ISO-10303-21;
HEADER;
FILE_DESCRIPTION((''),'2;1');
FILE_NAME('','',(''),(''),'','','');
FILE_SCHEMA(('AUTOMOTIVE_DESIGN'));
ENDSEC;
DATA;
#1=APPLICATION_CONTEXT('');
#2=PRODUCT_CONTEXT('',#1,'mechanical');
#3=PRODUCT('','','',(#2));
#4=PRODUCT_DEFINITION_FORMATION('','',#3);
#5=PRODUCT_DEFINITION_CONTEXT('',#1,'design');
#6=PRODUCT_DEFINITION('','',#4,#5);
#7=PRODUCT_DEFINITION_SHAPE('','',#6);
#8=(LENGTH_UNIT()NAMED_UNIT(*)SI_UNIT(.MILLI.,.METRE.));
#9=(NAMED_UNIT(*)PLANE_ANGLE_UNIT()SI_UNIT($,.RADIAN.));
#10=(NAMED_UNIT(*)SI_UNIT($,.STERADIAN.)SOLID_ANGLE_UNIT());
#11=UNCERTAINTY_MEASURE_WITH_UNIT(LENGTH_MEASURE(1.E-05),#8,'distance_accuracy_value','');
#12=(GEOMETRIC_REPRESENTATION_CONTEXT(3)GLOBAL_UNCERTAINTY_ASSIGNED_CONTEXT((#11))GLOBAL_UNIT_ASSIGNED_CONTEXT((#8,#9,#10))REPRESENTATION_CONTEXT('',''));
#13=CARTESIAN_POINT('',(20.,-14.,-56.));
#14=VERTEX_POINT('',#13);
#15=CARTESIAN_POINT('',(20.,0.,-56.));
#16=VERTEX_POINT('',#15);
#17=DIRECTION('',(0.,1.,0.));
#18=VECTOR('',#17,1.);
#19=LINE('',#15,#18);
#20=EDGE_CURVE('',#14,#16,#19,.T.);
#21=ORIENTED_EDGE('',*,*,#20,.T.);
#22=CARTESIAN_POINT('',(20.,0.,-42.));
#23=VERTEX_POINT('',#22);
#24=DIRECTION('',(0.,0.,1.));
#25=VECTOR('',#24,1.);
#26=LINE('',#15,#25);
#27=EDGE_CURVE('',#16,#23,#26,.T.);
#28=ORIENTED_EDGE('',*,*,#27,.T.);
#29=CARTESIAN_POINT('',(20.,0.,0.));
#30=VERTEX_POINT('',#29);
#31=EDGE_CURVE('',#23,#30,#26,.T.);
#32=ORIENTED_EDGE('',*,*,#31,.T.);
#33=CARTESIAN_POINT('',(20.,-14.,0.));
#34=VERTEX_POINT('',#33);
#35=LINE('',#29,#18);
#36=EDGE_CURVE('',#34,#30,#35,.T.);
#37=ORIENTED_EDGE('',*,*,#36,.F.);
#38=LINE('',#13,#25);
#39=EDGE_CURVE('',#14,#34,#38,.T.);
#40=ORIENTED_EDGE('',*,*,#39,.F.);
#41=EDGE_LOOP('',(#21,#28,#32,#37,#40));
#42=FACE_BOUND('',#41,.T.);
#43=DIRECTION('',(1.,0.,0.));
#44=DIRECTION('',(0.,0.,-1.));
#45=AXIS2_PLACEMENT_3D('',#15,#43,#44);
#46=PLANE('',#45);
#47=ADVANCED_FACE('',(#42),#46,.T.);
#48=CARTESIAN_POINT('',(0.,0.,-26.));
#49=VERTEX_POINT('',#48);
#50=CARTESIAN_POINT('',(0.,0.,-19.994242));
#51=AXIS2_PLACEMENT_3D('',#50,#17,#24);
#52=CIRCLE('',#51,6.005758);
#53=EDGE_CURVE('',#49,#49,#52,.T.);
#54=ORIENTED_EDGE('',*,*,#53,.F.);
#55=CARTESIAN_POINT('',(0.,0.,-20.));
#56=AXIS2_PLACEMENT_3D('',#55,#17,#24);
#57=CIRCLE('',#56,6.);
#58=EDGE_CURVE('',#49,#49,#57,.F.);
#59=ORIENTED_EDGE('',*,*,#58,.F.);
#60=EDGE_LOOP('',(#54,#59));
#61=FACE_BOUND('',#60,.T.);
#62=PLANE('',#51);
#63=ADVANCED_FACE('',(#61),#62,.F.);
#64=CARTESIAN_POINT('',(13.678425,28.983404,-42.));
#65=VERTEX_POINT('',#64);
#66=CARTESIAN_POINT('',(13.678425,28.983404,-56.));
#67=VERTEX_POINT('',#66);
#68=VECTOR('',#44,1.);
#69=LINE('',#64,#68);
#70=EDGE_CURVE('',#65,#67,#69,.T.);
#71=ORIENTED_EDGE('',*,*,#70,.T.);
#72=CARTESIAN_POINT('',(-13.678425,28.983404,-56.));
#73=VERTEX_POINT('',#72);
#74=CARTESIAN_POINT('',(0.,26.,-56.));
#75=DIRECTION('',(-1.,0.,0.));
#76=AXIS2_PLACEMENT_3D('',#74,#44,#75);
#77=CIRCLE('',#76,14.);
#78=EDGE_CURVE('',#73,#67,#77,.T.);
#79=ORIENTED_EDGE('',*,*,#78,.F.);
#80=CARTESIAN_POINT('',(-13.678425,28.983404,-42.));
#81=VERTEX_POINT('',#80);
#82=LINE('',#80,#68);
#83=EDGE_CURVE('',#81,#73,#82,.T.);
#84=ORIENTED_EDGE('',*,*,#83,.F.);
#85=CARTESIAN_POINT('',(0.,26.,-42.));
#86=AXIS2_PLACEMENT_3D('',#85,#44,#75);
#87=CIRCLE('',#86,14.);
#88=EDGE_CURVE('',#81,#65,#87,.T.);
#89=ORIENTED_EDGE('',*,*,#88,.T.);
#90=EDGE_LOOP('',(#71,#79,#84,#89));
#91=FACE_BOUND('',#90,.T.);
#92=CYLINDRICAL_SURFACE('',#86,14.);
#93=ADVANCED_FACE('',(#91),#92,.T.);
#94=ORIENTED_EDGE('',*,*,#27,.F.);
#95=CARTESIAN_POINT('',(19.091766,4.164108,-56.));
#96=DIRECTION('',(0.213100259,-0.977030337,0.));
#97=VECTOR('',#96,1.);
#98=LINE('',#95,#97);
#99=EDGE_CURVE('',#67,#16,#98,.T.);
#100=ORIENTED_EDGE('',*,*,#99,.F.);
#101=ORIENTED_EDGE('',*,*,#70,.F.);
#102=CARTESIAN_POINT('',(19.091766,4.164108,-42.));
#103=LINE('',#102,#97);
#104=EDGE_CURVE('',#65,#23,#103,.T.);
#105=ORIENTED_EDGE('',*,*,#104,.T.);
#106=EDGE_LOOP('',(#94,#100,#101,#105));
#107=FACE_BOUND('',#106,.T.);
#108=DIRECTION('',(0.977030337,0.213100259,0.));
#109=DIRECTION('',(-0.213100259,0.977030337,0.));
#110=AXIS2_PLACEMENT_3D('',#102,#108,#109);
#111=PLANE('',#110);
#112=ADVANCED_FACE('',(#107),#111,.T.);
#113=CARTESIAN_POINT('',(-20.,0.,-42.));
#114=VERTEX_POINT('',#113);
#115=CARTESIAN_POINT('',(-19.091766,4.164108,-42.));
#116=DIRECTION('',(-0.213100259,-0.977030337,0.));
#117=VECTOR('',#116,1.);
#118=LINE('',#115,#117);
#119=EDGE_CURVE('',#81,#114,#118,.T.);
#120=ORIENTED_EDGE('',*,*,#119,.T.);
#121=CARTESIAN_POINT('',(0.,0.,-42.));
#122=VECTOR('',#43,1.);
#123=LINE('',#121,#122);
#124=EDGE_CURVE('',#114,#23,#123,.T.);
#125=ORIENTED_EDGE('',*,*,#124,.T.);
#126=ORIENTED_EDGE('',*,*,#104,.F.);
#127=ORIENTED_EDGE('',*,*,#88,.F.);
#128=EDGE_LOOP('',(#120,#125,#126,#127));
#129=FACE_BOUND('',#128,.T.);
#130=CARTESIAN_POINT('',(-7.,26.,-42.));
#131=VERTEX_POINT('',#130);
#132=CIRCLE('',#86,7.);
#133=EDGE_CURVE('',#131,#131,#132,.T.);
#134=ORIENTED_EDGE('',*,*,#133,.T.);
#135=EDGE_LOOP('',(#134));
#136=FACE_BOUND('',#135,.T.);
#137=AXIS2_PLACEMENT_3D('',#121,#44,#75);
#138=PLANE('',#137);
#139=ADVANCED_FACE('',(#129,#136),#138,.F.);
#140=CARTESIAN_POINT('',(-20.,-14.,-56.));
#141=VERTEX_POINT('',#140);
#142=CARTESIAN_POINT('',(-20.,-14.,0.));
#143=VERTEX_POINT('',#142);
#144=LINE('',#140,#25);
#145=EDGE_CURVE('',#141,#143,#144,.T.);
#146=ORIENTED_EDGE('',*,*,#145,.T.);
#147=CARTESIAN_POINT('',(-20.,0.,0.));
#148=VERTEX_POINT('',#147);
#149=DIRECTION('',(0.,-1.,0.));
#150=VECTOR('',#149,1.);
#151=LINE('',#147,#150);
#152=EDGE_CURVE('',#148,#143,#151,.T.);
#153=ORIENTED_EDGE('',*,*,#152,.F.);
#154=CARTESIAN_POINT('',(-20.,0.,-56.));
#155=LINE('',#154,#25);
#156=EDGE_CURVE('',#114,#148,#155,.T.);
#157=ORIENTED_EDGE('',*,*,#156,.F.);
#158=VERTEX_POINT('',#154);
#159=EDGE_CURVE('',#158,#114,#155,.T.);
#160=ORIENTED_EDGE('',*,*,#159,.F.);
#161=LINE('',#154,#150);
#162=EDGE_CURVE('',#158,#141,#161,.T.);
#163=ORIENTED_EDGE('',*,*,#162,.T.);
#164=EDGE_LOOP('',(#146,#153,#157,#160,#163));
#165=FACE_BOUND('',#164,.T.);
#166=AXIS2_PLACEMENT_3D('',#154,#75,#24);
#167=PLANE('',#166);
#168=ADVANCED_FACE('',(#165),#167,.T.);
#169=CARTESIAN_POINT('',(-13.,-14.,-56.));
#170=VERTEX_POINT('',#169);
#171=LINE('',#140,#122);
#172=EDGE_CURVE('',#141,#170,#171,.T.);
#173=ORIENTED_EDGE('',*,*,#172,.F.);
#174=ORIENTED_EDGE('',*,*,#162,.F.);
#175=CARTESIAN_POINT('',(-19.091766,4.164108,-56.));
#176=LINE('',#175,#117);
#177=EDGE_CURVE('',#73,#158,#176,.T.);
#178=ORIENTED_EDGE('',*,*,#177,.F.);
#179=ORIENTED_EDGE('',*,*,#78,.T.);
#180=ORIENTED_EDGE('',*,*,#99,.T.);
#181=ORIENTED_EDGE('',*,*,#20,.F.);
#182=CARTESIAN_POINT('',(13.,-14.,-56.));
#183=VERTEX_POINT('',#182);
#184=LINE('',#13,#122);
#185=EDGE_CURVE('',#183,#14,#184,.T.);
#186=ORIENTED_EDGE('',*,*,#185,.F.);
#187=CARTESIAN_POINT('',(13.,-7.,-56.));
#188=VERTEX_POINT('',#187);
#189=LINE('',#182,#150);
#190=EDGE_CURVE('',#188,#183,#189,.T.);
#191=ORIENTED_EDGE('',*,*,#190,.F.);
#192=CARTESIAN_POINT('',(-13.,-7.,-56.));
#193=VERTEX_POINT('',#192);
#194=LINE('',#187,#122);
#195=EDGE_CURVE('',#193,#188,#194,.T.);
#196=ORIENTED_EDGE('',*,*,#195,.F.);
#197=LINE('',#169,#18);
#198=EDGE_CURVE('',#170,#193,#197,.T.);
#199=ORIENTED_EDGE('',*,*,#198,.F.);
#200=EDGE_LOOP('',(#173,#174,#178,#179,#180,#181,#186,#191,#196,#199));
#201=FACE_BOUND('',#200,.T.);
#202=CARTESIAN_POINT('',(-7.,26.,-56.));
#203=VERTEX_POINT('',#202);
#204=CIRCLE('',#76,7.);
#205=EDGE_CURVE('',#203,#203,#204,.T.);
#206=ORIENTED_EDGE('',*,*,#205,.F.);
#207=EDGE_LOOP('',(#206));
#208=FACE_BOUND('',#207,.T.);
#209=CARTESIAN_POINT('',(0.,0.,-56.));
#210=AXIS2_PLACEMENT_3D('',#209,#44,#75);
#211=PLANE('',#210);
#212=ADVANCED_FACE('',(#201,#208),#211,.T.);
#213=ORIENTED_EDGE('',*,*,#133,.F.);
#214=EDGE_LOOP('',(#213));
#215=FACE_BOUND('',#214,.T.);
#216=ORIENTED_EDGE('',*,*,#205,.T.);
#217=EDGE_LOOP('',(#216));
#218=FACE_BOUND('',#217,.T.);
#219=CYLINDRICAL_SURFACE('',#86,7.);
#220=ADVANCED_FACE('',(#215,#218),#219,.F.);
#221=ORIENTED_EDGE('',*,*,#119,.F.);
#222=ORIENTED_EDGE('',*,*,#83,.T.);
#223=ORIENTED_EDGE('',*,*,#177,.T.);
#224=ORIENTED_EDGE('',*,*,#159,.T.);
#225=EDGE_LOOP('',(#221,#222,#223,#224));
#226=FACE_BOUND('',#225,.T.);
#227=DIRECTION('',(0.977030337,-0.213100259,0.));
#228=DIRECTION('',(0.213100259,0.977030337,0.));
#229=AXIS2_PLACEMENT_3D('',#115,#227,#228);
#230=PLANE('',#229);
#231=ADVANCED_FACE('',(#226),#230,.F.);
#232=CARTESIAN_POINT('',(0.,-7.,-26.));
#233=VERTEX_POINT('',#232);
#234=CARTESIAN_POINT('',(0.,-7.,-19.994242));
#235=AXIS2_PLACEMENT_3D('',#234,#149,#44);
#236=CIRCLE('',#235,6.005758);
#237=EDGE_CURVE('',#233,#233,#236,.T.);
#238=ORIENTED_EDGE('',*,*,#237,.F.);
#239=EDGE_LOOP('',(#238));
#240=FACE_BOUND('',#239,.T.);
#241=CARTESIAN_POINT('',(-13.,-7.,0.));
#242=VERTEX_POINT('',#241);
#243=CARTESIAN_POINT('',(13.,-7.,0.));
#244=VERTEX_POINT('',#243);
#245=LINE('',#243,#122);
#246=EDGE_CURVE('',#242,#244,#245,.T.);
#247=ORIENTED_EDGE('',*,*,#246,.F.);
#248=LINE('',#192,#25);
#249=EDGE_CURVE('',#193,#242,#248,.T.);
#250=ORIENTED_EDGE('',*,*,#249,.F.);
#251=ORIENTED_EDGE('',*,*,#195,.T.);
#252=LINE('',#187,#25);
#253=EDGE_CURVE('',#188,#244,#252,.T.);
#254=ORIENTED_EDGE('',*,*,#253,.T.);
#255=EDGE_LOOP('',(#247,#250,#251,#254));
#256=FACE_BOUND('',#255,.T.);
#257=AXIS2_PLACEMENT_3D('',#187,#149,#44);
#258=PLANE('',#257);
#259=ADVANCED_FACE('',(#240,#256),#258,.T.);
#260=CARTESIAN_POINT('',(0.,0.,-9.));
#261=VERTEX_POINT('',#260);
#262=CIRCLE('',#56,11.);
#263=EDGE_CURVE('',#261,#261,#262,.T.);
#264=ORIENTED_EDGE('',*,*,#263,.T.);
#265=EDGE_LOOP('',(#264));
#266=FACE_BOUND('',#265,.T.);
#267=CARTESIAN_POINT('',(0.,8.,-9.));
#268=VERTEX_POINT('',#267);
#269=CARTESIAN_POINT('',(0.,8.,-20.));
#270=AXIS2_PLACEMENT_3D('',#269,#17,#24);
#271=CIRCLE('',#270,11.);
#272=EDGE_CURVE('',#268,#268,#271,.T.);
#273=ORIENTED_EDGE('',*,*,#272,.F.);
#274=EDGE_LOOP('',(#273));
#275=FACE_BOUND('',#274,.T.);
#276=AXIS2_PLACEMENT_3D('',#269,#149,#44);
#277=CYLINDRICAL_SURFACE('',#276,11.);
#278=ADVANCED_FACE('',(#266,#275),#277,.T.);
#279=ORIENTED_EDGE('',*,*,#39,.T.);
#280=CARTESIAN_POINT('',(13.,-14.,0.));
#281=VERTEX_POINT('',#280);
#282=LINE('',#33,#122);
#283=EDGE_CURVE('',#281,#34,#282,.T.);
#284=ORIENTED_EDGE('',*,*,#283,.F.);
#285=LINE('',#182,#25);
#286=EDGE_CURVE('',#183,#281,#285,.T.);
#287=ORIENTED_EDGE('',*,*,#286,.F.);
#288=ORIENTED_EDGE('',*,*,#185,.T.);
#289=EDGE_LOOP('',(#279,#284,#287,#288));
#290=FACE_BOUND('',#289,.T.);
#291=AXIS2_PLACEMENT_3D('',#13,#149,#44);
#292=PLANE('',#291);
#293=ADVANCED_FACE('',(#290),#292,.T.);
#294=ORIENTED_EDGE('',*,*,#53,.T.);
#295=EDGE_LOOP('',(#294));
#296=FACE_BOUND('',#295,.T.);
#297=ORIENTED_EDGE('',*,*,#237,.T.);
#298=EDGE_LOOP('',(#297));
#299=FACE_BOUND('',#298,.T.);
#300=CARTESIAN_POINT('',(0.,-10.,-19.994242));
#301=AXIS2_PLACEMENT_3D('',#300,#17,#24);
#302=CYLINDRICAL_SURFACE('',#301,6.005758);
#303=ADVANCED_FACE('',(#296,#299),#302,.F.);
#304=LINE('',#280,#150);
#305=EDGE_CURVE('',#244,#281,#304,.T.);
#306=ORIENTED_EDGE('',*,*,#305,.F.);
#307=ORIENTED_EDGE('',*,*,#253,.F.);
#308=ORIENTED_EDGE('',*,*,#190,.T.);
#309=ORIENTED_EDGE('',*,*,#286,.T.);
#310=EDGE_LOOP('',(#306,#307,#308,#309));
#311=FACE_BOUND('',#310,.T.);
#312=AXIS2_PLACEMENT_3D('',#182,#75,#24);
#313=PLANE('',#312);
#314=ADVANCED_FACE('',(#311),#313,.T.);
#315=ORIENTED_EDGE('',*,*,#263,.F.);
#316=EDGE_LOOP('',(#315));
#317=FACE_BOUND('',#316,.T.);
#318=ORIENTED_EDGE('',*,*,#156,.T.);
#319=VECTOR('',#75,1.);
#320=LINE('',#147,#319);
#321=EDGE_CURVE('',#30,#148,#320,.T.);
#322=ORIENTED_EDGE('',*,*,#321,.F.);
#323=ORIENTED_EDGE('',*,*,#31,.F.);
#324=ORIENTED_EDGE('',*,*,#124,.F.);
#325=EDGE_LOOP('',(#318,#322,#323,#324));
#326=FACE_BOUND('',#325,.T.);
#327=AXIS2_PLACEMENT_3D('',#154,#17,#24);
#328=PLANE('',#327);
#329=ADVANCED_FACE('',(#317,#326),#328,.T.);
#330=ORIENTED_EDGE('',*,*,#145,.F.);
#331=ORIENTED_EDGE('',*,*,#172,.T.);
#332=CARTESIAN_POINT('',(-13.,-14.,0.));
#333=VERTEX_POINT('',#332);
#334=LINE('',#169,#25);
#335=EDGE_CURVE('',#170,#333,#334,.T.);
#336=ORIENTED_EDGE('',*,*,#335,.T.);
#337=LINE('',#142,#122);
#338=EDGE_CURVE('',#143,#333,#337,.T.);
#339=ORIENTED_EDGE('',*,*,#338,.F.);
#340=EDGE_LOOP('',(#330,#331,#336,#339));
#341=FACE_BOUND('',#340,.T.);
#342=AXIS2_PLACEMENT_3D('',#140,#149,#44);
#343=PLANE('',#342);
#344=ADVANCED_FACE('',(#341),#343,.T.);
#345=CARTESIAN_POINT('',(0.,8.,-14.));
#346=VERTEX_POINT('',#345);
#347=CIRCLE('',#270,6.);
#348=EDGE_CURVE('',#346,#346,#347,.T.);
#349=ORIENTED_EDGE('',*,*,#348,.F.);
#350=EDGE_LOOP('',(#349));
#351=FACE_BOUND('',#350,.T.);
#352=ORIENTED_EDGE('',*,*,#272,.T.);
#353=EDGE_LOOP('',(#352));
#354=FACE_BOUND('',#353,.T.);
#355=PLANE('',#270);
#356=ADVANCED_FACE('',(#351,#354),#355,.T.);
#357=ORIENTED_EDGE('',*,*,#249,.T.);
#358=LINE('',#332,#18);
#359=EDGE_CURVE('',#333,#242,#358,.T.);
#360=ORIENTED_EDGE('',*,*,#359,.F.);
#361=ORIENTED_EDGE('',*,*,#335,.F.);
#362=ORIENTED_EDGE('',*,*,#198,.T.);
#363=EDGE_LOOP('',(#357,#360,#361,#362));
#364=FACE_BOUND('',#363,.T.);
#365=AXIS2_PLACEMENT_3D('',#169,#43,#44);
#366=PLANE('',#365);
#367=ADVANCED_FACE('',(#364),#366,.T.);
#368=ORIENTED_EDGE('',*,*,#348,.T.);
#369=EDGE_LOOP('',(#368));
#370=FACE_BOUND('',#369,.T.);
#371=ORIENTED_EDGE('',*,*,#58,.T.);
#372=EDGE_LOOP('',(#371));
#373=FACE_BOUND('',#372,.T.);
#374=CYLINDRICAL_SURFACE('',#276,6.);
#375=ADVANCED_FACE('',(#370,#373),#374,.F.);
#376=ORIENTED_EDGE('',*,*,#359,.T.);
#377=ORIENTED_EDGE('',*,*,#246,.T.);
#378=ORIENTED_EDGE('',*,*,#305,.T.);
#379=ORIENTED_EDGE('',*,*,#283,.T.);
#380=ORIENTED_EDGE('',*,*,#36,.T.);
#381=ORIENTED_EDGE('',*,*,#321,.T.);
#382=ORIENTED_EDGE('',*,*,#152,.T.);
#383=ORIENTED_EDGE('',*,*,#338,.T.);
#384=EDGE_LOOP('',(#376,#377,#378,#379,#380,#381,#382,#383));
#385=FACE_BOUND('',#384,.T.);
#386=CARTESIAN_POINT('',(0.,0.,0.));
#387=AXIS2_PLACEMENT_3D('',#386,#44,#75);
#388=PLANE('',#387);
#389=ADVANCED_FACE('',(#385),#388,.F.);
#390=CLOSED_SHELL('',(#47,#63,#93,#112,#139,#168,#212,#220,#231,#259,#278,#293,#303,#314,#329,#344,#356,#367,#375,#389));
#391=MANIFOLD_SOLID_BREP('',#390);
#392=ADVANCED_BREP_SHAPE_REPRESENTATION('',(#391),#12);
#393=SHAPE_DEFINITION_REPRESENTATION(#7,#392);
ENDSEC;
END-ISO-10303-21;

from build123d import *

# Parameters (mm, degrees)
EXTRUDE_1_DEPTH     = 56
SKETCH_3_R          = 7
EXTRUDE_2_DEPTH     = 14
SKETCH_2_R          = 11
SKETCH_2_R_2        = 6
EXTRUDE_3_DEPTH     = 8
SKETCH_8_R          = 6.005758489
CUT_EXTRUDE_1_DEPTH = 10


with BuildPart() as part:
    # 草图1 → 凸台-拉伸1 (new body)
    with BuildSketch(Plane.XY):
        Polygon((-20, 0), (20, 0), (20, -14), (13, -14), (13, -7), (-13, -7), (-13, -14), (-20, -14), align=None)
    extrude(amount=-EXTRUDE_1_DEPTH)

    # 草图3 → 凸台-拉伸2 (add)
    with BuildSketch(Plane(origin=(0, 0, -56), x_dir=(-1, 0, 0), z_dir=(0, 0, -1))):
        with BuildLine():
            ThreePointArc((13.678424719, 28.98340363), (0, 40), (-13.678424719, 28.98340363))
            Line((-13.678424719, 28.98340363), (-20, 0))
            Line((-20, 0), (20, 0))
            Line((20, 0), (13.678424719, 28.98340363))
        make_face()
        with Locations((0, 26)):
            Circle(SKETCH_3_R, mode=Mode.SUBTRACT)
    extrude(amount=-EXTRUDE_2_DEPTH)

    # 草图2 → 凸台-拉伸3 (add)
    with BuildSketch(Plane(origin=(0, 0, 0), x_dir=(1, 0, 0), z_dir=(0, 1, 0))):
        with Locations(Location((0, 20, 0), (0, 0, 270))):
            Circle(SKETCH_2_R)
        with Locations(Location((0, 20, 0), (0, 0, 270))):
            Circle(SKETCH_2_R_2, mode=Mode.SUBTRACT)
    extrude(amount=EXTRUDE_3_DEPTH)

    # 草图8 → 切除-拉伸1 (cut)
    with BuildSketch(Plane(origin=(0, 0, 0), x_dir=(1, 0, 0), z_dir=(0, 1, 0))):
        with Locations(Location((0, 19.994241511, 0), (0, 0, 90.010673287))):
            Circle(SKETCH_8_R)
    extrude(amount=-CUT_EXTRUDE_1_DEPTH, mode=Mode.SUBTRACT)


solid = part.part
